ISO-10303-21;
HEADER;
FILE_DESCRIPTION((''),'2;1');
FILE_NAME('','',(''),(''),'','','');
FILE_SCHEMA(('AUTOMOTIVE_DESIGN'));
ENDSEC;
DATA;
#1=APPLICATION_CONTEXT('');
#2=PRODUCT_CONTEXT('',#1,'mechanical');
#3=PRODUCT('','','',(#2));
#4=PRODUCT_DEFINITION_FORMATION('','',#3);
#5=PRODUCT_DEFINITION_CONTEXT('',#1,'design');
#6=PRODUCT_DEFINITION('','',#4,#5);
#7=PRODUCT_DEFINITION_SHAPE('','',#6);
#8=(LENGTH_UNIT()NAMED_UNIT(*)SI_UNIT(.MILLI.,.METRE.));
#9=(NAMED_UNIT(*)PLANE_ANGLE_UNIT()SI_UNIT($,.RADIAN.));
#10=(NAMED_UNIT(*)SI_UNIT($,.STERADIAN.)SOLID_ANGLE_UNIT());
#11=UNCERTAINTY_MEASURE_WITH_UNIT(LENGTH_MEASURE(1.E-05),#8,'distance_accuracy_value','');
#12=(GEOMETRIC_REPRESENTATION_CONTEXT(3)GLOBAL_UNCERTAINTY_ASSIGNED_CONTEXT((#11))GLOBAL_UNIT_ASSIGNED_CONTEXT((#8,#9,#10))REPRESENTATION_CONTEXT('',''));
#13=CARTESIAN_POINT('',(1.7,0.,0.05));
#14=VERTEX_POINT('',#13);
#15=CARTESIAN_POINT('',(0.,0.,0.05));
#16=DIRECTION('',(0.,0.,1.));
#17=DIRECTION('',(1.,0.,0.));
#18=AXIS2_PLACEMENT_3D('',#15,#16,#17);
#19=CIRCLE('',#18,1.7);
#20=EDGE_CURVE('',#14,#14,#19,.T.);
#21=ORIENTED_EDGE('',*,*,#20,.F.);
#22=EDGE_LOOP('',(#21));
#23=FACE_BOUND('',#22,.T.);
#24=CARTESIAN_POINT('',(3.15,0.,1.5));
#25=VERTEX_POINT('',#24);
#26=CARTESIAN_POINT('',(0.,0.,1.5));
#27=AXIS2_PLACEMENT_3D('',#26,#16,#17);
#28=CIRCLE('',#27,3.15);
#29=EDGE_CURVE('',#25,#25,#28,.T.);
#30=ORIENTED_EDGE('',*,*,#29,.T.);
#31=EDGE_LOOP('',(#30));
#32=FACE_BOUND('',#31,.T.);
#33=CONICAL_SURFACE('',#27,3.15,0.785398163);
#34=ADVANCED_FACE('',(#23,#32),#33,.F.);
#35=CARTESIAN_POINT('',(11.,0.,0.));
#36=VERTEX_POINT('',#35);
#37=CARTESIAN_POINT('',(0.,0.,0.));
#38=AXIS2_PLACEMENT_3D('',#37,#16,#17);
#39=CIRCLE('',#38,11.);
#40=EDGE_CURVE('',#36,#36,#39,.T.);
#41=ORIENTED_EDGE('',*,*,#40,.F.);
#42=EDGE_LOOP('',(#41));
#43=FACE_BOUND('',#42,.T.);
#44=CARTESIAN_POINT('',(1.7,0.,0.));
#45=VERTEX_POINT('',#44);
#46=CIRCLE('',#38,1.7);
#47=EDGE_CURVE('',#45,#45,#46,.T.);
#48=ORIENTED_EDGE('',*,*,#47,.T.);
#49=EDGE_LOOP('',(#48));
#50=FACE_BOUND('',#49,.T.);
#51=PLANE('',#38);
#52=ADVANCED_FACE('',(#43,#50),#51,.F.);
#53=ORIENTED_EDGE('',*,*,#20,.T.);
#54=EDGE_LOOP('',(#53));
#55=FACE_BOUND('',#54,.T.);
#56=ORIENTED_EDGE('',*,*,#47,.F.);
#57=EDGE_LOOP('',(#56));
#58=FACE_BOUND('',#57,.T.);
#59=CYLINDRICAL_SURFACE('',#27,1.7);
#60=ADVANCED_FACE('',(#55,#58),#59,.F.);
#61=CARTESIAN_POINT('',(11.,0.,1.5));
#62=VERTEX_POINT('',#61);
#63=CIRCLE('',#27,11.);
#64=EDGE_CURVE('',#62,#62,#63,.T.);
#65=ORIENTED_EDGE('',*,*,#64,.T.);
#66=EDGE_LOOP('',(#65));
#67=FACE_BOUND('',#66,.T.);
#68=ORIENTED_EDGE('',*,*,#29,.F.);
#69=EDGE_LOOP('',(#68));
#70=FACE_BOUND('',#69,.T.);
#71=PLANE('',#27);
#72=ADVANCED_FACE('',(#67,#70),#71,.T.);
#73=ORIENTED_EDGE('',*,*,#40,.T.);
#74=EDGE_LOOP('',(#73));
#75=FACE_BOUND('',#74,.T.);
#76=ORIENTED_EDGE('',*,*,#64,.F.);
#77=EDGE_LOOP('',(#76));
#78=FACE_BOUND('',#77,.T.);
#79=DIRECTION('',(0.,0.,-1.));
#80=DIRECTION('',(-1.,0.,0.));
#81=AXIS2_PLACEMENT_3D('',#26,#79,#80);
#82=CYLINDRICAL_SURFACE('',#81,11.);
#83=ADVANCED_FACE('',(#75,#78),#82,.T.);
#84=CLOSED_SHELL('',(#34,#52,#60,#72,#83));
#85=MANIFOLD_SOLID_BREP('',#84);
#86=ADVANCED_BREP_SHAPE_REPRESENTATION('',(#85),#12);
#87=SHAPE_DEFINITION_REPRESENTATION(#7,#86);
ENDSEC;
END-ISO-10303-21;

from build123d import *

# Parameters (mm, degrees)
SKETCH1_R           = 11
SKETCH1_R_2         = 1.5
BOSS_EXTRUDE1_DEPTH = 1.5


with BuildPart() as part:
    # Sketch1 → Boss-Extrude1 (new body)
    with BuildSketch(Plane.XY):
        Circle(SKETCH1_R)
        Circle(SKETCH1_R_2, mode=Mode.SUBTRACT)
    extrude(amount=BOSS_EXTRUDE1_DEPTH)

    # Sketch2 → CSK for M3 Flat Head Machine Screw1 (revolve, cut)
    with BuildSketch(Plane(origin=(0, 0, 1.5), x_dir=(0, -1, 0), z_dir=(1, 0, 0))):
        Polygon((0, 0), (0, 1.5), (1.7, 1.5), (1.7, 1.45), (3.15, 0), align=None)
    revolve(axis=Axis((0, 0, 7.85), (0, 0, -1)), mode=Mode.SUBTRACT)


solid = part.part
